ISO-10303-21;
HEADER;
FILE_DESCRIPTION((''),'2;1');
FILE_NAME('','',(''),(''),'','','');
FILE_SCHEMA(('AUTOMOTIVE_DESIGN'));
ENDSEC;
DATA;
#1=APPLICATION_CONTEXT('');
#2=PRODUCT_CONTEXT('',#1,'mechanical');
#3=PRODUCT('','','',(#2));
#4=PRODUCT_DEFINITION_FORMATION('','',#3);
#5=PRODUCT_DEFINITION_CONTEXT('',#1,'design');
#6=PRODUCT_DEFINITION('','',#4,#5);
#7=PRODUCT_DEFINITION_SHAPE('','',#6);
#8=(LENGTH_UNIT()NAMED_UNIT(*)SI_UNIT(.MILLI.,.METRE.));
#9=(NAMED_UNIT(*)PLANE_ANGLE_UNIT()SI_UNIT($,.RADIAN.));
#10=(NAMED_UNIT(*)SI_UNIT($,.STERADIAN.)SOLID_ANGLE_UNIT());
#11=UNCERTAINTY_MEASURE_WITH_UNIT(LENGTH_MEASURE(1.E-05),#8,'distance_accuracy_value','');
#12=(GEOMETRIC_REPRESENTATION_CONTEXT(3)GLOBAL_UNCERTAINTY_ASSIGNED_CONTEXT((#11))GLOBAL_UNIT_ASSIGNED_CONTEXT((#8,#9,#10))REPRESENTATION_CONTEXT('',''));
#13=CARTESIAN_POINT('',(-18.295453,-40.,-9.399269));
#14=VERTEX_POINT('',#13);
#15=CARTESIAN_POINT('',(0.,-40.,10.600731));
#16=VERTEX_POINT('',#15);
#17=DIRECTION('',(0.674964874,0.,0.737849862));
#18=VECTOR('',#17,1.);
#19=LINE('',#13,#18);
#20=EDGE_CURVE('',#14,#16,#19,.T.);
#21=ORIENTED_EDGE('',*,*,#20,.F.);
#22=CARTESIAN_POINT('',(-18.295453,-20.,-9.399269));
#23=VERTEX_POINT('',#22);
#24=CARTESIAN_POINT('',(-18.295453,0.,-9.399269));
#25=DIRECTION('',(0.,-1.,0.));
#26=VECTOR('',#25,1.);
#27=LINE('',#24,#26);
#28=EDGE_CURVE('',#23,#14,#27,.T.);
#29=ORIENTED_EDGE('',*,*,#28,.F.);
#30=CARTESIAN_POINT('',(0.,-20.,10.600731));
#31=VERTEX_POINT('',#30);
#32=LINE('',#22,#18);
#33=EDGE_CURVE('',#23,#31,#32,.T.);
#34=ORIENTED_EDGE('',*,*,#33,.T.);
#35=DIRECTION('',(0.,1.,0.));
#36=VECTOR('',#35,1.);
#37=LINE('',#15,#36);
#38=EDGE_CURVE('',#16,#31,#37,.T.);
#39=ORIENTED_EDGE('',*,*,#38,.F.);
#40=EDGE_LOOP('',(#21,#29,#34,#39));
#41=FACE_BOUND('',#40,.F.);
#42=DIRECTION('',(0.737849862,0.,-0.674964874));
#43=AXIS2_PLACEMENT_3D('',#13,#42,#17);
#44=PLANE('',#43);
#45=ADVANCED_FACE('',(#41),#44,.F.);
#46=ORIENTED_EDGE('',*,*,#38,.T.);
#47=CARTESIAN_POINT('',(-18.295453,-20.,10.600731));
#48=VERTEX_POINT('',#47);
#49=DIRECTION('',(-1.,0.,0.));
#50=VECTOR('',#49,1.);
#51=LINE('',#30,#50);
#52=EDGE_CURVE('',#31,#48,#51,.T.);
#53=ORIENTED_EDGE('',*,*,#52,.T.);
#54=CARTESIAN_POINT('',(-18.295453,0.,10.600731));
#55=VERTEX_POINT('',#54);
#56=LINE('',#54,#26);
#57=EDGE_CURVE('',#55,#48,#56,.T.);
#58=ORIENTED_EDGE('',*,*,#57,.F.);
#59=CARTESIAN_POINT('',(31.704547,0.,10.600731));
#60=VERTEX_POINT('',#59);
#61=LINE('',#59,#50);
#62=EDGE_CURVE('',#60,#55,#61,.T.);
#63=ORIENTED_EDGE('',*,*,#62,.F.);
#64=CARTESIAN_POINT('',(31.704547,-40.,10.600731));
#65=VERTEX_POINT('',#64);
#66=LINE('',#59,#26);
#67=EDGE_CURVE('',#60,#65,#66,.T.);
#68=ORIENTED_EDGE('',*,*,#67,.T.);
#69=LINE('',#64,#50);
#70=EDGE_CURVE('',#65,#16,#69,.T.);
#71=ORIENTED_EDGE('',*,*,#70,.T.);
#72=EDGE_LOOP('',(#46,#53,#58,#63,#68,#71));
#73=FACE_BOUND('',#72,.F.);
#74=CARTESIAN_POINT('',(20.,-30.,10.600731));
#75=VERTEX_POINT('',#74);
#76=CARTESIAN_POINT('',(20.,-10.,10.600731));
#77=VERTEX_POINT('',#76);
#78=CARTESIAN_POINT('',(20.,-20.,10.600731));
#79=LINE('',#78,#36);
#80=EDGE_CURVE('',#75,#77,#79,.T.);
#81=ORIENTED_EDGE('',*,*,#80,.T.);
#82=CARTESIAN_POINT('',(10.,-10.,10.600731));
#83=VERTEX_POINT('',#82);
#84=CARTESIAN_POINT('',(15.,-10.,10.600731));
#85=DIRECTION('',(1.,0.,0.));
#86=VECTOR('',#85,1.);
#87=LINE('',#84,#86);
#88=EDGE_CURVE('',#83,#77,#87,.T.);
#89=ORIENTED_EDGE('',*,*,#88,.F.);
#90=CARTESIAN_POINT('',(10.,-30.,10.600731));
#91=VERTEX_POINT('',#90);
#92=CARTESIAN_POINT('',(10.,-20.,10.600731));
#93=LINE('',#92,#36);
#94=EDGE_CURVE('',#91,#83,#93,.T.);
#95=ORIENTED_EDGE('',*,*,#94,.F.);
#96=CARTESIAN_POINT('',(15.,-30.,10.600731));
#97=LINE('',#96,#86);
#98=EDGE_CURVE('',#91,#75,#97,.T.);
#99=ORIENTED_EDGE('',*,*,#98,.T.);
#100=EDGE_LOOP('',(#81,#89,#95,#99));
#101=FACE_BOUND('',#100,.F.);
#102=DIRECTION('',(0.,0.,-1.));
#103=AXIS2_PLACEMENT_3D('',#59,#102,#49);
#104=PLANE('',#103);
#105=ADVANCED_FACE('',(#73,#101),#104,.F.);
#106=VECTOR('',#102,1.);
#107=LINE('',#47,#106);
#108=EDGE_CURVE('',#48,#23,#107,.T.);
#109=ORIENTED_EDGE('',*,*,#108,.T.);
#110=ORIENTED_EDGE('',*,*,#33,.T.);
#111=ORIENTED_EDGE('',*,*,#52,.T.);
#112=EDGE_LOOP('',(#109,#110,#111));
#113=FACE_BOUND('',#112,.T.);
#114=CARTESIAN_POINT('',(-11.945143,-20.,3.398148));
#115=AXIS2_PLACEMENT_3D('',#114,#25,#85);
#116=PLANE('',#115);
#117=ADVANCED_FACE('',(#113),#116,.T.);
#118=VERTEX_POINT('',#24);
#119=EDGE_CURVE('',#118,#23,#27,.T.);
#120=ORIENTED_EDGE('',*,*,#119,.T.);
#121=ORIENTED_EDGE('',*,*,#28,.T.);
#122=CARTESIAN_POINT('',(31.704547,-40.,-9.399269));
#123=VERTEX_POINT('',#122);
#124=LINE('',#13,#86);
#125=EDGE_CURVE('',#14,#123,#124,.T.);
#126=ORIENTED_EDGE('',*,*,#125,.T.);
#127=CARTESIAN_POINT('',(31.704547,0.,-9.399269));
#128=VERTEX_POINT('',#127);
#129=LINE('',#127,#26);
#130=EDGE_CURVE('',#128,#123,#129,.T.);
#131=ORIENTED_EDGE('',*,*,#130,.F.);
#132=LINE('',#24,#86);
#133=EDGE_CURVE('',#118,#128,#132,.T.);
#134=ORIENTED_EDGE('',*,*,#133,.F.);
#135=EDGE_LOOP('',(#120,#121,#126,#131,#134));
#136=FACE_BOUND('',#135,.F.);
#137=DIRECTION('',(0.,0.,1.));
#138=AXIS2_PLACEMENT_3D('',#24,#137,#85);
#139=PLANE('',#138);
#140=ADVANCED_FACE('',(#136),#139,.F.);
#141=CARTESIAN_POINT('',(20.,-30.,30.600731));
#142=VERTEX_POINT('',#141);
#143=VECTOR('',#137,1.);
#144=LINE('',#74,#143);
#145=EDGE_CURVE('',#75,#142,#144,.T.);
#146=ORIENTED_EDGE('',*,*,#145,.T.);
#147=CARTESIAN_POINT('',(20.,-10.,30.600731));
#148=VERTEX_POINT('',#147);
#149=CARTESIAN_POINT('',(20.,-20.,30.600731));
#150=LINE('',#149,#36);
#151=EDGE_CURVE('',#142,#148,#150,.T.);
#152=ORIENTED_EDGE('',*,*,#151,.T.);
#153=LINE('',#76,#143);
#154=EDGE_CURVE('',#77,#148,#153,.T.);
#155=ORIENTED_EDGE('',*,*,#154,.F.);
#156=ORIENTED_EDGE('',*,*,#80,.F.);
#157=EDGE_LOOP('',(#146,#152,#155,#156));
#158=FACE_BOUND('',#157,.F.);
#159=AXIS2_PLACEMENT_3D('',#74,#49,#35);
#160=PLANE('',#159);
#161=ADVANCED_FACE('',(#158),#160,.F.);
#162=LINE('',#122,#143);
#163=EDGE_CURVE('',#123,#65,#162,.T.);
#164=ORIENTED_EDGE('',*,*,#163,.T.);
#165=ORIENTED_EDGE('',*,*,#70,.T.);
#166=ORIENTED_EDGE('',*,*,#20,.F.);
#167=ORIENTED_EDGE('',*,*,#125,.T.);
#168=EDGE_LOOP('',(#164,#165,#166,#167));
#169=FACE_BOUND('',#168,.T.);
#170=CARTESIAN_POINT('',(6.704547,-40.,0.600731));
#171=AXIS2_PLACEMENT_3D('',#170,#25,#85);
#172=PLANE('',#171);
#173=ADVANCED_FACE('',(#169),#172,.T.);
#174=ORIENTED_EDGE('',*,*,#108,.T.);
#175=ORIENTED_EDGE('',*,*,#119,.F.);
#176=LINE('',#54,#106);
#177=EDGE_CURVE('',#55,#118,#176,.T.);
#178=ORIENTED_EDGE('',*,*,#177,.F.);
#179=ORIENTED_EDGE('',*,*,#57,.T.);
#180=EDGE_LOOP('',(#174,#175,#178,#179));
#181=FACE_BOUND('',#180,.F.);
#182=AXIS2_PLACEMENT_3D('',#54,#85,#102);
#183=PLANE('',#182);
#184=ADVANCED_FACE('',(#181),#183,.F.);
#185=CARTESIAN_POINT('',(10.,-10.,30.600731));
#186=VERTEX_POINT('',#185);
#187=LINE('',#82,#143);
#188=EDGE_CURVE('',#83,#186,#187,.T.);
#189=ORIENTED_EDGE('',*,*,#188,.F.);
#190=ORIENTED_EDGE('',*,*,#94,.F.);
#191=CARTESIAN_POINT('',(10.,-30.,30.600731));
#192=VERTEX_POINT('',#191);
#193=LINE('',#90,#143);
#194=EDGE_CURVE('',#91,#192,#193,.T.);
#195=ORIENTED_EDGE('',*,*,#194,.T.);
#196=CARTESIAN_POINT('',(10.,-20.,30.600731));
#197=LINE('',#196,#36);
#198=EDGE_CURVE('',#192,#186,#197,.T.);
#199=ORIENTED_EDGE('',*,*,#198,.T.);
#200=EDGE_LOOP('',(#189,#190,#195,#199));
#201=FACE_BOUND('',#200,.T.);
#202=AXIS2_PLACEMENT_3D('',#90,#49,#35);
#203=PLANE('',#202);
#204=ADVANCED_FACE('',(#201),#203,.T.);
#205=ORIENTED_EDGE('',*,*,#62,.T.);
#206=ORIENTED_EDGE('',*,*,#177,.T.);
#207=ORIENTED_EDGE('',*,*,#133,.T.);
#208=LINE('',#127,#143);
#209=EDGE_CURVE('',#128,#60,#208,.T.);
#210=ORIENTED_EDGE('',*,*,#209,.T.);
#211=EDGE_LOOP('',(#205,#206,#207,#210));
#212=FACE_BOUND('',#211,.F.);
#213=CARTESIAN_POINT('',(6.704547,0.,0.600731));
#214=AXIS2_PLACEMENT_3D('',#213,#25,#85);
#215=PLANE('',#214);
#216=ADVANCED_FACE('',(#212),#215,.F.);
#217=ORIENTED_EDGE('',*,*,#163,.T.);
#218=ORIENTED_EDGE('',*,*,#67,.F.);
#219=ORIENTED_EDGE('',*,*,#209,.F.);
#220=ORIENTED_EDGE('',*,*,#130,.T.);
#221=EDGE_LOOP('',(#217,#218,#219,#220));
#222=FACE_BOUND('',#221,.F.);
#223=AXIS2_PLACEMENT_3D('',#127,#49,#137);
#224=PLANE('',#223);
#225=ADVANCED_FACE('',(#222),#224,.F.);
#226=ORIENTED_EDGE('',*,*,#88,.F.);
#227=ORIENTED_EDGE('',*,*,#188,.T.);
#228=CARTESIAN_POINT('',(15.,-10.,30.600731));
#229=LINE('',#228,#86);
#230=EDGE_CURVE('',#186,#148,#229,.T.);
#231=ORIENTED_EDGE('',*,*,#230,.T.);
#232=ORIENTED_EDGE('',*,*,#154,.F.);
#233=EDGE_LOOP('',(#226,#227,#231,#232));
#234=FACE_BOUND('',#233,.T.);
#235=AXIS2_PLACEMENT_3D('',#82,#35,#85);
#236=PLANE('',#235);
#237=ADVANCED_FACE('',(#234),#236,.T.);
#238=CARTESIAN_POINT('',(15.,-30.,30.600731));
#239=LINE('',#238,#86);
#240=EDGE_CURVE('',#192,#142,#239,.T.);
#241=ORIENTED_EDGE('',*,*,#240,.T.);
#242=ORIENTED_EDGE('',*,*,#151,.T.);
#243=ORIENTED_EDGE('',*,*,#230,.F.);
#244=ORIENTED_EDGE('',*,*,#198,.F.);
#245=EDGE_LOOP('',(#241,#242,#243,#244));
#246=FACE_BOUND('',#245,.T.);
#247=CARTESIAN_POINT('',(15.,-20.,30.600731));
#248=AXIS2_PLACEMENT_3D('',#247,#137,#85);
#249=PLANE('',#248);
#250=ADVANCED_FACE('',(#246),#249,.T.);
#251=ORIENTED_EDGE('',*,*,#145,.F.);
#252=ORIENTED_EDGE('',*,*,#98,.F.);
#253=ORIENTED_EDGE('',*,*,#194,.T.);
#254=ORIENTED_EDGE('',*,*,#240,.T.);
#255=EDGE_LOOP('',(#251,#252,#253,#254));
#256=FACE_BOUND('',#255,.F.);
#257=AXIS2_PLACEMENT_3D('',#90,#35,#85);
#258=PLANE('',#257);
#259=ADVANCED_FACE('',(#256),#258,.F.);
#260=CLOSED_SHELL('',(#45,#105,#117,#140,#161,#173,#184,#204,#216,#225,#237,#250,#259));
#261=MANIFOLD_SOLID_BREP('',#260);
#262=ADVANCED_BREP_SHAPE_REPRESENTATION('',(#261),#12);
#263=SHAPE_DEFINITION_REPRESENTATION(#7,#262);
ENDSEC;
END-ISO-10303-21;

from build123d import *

# Parameters (mm, degrees)
F1_DEPTH = 40
F3_DEPTH = 20
F4_W     = 10
F4_H     = 20
F5_DEPTH = 20


with BuildPart() as f1:
    # F0 (on Front) → F1 (new body)
    with BuildSketch(Plane.XZ):
        Polygon((31.704547, 10.600731), (1.704547, 10.600731), (-18.295453, 10.600731), (-18.295453, -9.399269), (31.704547, -9.399269), align=None)
    extrude(amount=F1_DEPTH)

    # F2 (on face) → F3 (cut)
    with BuildSketch(Plane.XZ.offset(40)):
        Polygon((-18.295453, 10.600731), (-18.295453, -9.399269), (0, 10.600731), align=None)
    extrude(amount=-F3_DEPTH, mode=Mode.SUBTRACT)

    # F4 (on face) → F5 (join)
    with BuildSketch(Plane.XY.offset(10.600731)):
        with Locations((15, -20)):
            Rectangle(F4_W, F4_H)
    extrude(amount=F5_DEPTH)


solid = f1.part
